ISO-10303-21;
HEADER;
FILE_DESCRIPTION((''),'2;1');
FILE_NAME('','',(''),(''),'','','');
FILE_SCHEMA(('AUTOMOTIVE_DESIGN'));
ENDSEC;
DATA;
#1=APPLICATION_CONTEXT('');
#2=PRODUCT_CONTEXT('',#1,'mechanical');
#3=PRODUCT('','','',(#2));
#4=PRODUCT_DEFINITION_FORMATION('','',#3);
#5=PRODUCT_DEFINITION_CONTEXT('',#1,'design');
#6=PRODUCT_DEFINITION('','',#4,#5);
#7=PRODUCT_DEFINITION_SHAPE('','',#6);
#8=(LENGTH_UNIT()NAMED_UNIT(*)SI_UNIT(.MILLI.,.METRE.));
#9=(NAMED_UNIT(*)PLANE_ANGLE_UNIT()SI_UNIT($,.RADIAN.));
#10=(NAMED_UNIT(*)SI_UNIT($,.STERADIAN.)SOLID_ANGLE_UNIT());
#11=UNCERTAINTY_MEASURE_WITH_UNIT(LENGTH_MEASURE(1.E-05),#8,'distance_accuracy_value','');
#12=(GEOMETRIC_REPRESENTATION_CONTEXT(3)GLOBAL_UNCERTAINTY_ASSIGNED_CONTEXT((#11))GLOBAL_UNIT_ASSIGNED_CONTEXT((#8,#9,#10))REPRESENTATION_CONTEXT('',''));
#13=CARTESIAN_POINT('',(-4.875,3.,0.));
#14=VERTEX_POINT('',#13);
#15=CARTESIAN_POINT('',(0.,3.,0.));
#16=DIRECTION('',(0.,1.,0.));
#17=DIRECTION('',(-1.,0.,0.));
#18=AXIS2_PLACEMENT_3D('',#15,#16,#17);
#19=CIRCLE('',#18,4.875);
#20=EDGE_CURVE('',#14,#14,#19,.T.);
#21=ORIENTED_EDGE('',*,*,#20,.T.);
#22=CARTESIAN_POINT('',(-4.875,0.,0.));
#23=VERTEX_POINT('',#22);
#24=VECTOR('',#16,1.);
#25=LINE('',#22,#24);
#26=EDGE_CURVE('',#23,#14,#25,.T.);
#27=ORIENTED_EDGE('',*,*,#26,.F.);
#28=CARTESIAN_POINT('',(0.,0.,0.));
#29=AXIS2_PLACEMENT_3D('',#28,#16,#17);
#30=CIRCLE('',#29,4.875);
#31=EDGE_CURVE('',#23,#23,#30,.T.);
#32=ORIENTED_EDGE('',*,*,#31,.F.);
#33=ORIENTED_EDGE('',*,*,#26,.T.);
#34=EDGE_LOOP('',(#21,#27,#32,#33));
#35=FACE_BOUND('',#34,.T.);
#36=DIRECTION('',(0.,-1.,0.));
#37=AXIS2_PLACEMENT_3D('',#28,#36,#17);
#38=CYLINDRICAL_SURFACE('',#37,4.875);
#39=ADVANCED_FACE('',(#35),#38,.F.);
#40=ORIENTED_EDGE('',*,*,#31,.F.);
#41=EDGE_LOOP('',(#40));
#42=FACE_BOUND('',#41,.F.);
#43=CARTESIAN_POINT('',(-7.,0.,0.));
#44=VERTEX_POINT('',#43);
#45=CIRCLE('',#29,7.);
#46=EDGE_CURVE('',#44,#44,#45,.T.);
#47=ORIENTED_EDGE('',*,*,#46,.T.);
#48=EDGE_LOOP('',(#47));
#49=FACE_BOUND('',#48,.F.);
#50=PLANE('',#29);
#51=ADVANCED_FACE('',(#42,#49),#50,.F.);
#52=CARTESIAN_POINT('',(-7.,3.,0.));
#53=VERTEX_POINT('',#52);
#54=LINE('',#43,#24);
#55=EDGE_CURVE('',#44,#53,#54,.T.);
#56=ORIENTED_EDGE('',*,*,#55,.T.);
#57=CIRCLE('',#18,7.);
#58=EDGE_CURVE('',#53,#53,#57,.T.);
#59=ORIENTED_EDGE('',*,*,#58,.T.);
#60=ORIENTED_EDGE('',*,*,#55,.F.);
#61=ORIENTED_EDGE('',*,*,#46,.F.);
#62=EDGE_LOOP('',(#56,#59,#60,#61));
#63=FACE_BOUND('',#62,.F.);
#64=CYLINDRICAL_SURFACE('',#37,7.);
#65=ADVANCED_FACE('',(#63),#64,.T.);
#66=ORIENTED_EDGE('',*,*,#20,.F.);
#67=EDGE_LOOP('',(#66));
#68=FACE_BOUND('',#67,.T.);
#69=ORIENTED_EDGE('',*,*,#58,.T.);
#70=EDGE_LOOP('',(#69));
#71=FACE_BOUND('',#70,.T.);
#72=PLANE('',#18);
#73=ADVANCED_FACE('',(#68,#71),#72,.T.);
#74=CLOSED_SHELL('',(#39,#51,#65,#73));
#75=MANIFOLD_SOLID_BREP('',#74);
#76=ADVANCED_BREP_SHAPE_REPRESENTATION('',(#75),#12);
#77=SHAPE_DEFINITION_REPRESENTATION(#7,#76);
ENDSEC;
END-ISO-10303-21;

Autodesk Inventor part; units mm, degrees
ref_plane "YZ Plane" through (0, 0, 0) normal (1, 0, 0) x (0, 1, 0)
ref_plane "XZ Plane" through (0, 0, 0) normal (0, 1, 0) x (-1, 0, 0)
ref_plane "XY Plane" through (0, 0, 0) normal (0, 0, 1) x (1, 0, 0)
sketch "Sketch1" plane through (0, 0, 0) normal (0, 1, 0) x (-1, 0, 0)
  circle A0 centre (0, 0) radius 4.875
  circle A1 centre (0, 0) radius 7
  circle A2 centre (0, 0) radius 4.75
  dimension "d0" = 9.75
  dimension "d1" = 14
extrude "Extrusion1" add sketch "Sketch1" along normal blind 3 contours A1
properties part number "primlock"
